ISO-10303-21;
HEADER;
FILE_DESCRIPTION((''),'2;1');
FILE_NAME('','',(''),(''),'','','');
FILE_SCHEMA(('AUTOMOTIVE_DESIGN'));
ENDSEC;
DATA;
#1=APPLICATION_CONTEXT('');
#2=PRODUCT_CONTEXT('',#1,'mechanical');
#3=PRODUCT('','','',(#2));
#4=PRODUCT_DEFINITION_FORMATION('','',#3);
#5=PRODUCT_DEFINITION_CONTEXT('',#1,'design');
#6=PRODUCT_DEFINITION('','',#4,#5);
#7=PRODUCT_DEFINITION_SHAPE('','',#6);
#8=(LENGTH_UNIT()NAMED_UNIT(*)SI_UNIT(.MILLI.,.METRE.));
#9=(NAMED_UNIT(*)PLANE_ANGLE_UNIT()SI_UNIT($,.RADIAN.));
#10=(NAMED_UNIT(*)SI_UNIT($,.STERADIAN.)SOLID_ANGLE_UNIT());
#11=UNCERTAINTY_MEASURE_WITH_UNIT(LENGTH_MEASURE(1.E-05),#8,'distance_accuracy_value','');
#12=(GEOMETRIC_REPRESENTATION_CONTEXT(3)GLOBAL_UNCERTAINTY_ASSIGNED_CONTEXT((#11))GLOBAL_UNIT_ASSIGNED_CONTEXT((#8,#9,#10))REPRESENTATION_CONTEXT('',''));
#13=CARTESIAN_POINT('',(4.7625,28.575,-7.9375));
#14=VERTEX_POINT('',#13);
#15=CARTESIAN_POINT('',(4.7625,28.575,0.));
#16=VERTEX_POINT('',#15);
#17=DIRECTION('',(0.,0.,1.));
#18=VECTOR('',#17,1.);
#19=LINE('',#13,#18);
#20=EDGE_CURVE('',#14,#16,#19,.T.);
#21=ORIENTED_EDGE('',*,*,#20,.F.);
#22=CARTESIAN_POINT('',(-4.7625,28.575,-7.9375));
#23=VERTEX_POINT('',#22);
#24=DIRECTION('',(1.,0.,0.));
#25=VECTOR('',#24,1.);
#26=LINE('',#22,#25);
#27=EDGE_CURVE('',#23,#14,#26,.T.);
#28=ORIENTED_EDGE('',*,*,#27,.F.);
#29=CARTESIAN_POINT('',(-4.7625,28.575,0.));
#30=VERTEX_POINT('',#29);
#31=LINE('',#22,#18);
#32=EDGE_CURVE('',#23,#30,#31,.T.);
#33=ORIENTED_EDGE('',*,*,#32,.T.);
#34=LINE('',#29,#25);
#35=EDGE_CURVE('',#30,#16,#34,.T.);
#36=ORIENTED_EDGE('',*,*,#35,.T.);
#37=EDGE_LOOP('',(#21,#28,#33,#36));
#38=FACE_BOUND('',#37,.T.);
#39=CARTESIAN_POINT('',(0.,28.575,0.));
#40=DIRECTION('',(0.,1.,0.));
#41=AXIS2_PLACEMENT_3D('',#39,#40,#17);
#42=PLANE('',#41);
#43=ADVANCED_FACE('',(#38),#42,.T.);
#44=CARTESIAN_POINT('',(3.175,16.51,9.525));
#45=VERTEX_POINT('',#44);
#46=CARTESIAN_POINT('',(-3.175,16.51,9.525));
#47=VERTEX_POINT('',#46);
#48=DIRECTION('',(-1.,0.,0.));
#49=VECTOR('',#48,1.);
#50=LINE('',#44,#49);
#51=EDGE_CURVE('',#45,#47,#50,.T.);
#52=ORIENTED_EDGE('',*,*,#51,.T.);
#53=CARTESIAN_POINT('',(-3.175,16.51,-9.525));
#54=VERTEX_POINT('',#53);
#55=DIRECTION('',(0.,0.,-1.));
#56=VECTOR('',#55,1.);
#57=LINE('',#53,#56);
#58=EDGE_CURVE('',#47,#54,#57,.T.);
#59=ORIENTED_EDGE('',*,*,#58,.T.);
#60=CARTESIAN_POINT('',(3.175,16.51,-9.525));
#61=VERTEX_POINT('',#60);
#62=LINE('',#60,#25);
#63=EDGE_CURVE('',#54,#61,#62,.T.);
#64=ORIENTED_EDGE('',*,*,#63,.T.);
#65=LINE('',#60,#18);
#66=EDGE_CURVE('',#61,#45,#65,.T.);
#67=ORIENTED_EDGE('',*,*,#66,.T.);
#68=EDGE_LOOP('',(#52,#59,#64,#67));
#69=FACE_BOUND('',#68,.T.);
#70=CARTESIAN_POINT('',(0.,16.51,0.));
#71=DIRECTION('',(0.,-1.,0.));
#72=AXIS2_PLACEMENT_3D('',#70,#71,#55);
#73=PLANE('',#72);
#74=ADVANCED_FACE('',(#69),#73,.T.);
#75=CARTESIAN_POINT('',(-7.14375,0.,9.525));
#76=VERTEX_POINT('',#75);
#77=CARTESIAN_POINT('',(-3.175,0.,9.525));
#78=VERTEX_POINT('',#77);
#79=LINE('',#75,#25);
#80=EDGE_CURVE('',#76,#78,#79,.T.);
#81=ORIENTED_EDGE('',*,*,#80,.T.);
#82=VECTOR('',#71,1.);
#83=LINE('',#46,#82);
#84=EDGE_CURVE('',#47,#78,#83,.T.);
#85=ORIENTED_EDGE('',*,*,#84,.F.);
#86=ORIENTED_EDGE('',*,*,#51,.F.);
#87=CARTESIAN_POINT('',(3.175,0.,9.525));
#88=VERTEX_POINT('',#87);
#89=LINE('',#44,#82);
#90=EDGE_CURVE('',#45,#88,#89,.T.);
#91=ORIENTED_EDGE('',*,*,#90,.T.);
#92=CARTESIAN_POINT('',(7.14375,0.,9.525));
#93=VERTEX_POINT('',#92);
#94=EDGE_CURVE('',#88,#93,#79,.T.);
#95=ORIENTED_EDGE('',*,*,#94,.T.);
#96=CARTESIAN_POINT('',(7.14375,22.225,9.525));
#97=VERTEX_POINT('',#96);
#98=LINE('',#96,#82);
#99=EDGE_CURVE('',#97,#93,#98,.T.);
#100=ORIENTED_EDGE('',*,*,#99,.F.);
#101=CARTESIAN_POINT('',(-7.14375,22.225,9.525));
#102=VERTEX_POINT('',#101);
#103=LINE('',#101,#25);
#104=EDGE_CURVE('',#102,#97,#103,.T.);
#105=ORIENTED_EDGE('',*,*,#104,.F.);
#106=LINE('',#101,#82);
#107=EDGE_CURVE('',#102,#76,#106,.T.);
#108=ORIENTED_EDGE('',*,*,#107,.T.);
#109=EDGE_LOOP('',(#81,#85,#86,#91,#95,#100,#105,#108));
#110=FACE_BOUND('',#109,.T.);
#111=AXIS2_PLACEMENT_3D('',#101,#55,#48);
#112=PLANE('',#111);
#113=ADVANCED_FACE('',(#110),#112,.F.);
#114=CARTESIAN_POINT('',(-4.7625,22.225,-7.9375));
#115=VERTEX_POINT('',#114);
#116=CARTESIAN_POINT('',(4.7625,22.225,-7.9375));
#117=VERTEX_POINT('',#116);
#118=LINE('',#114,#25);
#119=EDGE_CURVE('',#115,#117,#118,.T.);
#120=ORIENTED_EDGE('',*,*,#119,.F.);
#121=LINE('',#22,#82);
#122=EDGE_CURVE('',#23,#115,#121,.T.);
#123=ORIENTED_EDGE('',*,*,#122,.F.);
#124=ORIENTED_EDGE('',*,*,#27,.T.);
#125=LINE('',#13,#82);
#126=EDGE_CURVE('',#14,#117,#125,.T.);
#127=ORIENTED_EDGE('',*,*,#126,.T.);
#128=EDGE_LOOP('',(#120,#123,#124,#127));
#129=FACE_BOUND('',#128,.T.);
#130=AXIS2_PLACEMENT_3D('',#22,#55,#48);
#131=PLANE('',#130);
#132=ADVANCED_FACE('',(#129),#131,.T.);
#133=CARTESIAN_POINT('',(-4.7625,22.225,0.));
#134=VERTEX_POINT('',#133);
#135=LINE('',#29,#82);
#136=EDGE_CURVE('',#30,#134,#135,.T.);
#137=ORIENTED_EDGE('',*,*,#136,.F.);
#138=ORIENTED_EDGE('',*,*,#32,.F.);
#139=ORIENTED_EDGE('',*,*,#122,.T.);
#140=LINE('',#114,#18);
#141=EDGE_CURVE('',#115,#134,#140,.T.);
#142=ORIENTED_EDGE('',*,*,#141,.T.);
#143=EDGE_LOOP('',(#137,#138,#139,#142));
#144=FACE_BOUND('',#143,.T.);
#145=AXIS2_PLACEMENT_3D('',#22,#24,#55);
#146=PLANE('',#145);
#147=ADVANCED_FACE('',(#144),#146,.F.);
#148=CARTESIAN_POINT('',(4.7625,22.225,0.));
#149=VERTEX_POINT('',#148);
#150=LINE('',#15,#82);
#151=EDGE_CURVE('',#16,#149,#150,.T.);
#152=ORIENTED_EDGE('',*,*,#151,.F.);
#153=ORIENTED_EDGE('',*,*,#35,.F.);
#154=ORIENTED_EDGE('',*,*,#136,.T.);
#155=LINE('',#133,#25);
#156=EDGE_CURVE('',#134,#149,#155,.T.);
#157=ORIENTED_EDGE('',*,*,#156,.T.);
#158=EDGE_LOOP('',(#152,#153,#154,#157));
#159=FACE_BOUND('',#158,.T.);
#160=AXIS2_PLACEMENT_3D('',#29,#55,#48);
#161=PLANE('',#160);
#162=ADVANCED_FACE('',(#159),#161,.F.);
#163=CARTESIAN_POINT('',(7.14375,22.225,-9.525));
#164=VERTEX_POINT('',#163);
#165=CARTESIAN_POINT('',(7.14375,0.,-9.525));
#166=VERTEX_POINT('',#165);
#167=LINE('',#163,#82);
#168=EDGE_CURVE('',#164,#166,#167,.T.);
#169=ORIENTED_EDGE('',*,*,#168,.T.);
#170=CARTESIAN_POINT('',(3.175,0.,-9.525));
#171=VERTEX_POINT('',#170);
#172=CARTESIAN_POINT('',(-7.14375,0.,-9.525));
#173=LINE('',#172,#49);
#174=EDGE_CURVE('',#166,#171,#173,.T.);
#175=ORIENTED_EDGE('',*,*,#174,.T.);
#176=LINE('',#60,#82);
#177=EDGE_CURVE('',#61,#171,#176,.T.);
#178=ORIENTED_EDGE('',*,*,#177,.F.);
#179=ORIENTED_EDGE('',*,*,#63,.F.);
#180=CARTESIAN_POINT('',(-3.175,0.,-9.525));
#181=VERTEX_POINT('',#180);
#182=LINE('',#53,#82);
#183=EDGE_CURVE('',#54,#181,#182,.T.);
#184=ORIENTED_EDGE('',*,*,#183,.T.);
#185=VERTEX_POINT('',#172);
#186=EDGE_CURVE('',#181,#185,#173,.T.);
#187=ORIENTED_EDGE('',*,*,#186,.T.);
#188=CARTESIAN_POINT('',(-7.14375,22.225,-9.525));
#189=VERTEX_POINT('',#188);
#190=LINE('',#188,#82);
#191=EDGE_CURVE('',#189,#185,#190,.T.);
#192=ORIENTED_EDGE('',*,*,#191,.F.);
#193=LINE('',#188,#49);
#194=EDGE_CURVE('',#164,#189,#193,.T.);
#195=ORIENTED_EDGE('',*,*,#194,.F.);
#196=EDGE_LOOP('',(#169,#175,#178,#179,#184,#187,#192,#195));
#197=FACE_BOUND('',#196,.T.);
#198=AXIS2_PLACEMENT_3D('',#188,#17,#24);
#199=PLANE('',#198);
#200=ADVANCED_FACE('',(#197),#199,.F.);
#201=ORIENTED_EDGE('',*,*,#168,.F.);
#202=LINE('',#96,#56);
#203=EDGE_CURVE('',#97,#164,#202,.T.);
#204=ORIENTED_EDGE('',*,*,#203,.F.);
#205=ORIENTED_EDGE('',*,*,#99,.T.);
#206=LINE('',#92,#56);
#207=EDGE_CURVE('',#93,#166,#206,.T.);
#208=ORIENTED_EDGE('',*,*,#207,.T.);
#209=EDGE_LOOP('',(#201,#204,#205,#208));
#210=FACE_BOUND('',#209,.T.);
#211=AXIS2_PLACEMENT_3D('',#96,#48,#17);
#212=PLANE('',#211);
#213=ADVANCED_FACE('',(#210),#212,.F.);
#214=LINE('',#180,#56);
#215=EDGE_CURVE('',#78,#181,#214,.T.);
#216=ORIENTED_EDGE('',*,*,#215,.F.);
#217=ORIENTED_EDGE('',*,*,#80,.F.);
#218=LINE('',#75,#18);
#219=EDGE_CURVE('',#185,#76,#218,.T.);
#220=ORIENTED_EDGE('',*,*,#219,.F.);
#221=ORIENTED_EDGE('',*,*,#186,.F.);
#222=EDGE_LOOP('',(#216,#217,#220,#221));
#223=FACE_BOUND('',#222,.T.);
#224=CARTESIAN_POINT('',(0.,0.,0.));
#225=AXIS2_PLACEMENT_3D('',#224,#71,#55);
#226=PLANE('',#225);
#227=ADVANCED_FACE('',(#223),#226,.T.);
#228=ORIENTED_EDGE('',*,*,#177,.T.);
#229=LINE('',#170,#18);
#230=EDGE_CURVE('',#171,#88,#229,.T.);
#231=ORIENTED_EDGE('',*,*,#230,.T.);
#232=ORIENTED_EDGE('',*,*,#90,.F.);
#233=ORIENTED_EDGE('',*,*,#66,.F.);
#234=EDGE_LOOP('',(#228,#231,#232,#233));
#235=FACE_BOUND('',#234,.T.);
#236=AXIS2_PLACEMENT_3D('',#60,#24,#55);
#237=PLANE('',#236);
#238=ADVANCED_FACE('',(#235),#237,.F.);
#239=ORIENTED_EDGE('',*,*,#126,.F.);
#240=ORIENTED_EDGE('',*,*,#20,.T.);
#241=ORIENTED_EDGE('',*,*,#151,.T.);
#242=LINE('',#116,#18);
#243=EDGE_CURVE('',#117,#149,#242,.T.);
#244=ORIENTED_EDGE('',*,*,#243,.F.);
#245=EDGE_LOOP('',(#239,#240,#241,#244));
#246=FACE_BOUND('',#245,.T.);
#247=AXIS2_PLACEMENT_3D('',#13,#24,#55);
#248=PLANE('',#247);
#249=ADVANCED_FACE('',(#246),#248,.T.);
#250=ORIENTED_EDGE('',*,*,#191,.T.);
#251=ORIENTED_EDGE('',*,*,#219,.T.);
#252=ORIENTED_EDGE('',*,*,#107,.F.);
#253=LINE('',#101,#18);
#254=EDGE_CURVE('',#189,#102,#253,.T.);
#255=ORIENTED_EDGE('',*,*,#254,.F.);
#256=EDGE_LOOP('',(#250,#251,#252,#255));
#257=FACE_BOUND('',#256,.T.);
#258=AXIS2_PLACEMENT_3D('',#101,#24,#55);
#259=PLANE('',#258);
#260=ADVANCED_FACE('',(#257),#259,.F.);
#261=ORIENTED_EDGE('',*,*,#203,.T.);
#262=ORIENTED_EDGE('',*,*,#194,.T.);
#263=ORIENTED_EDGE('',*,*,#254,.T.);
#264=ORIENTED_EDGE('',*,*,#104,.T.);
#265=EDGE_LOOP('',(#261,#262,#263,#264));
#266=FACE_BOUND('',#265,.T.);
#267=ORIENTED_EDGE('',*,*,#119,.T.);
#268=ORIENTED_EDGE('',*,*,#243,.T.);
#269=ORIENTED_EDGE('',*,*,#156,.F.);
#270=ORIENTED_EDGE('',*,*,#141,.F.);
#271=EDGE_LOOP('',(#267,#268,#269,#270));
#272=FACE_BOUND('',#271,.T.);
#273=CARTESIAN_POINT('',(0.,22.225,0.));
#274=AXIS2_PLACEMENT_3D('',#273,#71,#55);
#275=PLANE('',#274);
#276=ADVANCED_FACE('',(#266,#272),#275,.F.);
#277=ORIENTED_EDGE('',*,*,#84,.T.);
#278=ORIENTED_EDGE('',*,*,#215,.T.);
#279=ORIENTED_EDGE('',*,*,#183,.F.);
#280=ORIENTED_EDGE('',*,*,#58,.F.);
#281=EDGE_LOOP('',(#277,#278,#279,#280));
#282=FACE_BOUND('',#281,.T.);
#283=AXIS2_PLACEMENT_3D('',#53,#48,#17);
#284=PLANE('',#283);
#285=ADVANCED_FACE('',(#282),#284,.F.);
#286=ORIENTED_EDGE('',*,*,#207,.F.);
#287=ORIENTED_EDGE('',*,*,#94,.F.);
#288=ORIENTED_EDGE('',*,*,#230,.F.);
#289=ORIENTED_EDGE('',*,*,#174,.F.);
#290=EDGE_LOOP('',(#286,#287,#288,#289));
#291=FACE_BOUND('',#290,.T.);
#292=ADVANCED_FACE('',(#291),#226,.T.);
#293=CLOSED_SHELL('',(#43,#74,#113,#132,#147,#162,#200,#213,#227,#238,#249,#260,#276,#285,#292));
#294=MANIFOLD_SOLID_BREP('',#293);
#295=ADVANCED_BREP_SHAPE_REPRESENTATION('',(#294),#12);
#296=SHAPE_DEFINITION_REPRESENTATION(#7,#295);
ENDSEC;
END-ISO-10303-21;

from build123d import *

# Parameters (mm, degrees)
SKETCH3_W           = 14.2875
SKETCH3_H           = 19.05
BOSS_EXTRUDE1_DEPTH = 22.225
SKETCH4_W           = 9.525
SKETCH4_H           = 7.9375
BOSS_EXTRUDE2_DEPTH = 6.35
SKETCH5_W           = 6.35
SKETCH5_H           = 19.05
CUT_EXTRUDE1_DEPTH  = 16.51


with BuildPart() as part:
    # Sketch3 → Boss-Extrude1 (new body)
    with BuildSketch(Plane(origin=(0, 0, 0), x_dir=(1, 0, 0), z_dir=(0, 1, 0))):
        Rectangle(SKETCH3_W, SKETCH3_H)
    extrude(amount=BOSS_EXTRUDE1_DEPTH)

    # Sketch4 → Boss-Extrude2 (add)
    with BuildSketch(Plane(origin=(0, 22.225, 0), x_dir=(1, 0, 0), z_dir=(0, 1, 0))):
        with Locations((0, 3.96875)):
            Rectangle(SKETCH4_W, SKETCH4_H)
    extrude(amount=BOSS_EXTRUDE2_DEPTH)

    # Sketch5 → Cut-Extrude1 (cut)
    with BuildSketch(Plane.XZ):
        Rectangle(SKETCH5_W, SKETCH5_H)
    extrude(amount=-CUT_EXTRUDE1_DEPTH, mode=Mode.SUBTRACT)


solid = part.part
